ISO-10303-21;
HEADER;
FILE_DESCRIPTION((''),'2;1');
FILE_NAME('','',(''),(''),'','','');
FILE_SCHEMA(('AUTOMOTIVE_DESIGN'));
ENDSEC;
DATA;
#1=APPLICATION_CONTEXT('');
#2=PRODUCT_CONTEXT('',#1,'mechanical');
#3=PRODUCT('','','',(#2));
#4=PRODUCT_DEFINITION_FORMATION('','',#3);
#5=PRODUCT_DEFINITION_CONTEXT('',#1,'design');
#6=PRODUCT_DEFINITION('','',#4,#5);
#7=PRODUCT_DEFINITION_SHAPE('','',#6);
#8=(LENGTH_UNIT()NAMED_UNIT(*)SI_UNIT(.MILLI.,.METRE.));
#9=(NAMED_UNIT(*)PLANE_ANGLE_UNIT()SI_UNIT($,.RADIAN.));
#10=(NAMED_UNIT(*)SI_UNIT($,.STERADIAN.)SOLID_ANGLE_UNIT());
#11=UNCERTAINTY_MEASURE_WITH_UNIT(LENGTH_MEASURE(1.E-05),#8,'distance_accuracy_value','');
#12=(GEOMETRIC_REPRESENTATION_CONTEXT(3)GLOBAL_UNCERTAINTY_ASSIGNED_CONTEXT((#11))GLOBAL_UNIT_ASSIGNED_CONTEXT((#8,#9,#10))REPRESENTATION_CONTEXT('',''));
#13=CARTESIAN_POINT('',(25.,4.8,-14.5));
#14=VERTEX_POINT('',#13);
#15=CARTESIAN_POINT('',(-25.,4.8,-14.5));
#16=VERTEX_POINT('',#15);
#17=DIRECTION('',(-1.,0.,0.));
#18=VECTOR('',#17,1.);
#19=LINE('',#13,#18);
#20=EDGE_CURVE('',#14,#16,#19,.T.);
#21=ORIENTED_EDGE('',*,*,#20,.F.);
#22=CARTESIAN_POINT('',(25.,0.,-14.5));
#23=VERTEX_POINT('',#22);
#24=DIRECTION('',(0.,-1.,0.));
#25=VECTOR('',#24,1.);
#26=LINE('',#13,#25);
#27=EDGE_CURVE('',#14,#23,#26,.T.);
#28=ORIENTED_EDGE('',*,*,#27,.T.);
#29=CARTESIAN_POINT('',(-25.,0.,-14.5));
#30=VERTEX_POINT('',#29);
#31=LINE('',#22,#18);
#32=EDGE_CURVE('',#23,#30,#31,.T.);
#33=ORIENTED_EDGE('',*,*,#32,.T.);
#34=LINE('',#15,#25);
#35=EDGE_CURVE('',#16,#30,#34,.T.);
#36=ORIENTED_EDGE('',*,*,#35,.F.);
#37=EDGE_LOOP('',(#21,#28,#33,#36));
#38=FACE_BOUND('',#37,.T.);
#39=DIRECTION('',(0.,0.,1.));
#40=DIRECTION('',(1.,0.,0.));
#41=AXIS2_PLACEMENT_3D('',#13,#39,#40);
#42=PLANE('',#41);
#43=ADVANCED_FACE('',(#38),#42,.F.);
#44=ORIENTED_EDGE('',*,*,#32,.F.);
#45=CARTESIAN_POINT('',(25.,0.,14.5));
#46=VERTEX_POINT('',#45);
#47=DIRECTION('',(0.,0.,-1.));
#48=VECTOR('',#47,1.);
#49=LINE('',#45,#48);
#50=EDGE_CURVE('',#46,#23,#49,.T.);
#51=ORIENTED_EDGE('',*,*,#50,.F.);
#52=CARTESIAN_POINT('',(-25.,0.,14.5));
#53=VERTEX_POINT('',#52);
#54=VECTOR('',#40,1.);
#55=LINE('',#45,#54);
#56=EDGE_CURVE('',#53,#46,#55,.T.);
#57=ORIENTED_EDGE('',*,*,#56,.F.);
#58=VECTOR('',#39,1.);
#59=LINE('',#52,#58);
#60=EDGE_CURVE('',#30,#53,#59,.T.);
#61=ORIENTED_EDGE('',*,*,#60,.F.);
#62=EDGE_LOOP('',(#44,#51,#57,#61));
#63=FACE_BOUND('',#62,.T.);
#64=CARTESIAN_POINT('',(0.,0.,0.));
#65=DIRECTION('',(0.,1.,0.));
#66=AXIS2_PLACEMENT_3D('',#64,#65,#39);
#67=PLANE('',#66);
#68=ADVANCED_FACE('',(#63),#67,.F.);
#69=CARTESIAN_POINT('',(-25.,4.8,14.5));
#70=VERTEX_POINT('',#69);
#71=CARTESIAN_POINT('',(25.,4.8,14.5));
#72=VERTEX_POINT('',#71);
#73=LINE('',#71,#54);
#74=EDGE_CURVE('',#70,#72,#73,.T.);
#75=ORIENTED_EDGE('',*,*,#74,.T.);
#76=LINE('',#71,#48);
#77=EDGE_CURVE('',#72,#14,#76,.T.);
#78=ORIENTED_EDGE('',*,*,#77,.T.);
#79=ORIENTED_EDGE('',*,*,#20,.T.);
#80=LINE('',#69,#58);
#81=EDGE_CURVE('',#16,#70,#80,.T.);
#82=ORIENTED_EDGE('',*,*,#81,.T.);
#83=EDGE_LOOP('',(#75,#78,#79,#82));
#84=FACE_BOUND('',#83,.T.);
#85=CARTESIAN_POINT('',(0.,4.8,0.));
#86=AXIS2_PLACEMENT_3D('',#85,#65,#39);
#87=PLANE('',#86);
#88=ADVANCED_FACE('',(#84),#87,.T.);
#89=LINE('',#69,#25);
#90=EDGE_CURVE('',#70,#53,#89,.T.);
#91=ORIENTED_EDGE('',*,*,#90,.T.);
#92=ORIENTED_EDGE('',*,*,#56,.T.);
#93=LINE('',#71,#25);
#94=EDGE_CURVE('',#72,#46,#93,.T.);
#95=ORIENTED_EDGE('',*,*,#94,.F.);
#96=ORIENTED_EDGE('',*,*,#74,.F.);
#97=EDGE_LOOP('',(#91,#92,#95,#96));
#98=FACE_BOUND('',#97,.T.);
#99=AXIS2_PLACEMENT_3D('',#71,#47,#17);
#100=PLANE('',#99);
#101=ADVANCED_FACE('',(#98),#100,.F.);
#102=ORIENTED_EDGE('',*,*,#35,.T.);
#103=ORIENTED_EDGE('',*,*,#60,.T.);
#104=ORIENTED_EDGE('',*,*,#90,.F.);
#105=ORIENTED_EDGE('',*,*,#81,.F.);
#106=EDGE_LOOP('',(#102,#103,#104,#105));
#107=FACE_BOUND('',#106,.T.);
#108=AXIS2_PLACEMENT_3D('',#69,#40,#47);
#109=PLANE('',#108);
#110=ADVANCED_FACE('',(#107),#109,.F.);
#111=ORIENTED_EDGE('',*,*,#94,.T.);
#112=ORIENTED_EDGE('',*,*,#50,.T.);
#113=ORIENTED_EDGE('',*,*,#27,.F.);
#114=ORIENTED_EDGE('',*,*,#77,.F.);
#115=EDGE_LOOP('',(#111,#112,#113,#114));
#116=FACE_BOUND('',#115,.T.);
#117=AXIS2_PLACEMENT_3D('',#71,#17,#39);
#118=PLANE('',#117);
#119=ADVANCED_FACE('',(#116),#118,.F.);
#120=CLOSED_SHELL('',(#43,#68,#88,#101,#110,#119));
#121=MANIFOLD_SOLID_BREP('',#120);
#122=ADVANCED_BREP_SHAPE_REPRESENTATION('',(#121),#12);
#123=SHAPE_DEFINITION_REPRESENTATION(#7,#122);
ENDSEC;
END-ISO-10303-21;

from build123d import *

# Parameters (mm, degrees)
SKETCH_1_W      = 50
SKETCH_1_H      = 29
EXTRUDE_1_DEPTH = 4.8


with BuildPart() as part:
    # Эскиз1 → Бобышка-Вытянуть1 (new body)
    with BuildSketch(Plane(origin=(0, 0, 0), x_dir=(1, 0, 0), z_dir=(0, 1, 0))):
        Rectangle(SKETCH_1_W, SKETCH_1_H)
    extrude(amount=EXTRUDE_1_DEPTH)


solid = part.part
